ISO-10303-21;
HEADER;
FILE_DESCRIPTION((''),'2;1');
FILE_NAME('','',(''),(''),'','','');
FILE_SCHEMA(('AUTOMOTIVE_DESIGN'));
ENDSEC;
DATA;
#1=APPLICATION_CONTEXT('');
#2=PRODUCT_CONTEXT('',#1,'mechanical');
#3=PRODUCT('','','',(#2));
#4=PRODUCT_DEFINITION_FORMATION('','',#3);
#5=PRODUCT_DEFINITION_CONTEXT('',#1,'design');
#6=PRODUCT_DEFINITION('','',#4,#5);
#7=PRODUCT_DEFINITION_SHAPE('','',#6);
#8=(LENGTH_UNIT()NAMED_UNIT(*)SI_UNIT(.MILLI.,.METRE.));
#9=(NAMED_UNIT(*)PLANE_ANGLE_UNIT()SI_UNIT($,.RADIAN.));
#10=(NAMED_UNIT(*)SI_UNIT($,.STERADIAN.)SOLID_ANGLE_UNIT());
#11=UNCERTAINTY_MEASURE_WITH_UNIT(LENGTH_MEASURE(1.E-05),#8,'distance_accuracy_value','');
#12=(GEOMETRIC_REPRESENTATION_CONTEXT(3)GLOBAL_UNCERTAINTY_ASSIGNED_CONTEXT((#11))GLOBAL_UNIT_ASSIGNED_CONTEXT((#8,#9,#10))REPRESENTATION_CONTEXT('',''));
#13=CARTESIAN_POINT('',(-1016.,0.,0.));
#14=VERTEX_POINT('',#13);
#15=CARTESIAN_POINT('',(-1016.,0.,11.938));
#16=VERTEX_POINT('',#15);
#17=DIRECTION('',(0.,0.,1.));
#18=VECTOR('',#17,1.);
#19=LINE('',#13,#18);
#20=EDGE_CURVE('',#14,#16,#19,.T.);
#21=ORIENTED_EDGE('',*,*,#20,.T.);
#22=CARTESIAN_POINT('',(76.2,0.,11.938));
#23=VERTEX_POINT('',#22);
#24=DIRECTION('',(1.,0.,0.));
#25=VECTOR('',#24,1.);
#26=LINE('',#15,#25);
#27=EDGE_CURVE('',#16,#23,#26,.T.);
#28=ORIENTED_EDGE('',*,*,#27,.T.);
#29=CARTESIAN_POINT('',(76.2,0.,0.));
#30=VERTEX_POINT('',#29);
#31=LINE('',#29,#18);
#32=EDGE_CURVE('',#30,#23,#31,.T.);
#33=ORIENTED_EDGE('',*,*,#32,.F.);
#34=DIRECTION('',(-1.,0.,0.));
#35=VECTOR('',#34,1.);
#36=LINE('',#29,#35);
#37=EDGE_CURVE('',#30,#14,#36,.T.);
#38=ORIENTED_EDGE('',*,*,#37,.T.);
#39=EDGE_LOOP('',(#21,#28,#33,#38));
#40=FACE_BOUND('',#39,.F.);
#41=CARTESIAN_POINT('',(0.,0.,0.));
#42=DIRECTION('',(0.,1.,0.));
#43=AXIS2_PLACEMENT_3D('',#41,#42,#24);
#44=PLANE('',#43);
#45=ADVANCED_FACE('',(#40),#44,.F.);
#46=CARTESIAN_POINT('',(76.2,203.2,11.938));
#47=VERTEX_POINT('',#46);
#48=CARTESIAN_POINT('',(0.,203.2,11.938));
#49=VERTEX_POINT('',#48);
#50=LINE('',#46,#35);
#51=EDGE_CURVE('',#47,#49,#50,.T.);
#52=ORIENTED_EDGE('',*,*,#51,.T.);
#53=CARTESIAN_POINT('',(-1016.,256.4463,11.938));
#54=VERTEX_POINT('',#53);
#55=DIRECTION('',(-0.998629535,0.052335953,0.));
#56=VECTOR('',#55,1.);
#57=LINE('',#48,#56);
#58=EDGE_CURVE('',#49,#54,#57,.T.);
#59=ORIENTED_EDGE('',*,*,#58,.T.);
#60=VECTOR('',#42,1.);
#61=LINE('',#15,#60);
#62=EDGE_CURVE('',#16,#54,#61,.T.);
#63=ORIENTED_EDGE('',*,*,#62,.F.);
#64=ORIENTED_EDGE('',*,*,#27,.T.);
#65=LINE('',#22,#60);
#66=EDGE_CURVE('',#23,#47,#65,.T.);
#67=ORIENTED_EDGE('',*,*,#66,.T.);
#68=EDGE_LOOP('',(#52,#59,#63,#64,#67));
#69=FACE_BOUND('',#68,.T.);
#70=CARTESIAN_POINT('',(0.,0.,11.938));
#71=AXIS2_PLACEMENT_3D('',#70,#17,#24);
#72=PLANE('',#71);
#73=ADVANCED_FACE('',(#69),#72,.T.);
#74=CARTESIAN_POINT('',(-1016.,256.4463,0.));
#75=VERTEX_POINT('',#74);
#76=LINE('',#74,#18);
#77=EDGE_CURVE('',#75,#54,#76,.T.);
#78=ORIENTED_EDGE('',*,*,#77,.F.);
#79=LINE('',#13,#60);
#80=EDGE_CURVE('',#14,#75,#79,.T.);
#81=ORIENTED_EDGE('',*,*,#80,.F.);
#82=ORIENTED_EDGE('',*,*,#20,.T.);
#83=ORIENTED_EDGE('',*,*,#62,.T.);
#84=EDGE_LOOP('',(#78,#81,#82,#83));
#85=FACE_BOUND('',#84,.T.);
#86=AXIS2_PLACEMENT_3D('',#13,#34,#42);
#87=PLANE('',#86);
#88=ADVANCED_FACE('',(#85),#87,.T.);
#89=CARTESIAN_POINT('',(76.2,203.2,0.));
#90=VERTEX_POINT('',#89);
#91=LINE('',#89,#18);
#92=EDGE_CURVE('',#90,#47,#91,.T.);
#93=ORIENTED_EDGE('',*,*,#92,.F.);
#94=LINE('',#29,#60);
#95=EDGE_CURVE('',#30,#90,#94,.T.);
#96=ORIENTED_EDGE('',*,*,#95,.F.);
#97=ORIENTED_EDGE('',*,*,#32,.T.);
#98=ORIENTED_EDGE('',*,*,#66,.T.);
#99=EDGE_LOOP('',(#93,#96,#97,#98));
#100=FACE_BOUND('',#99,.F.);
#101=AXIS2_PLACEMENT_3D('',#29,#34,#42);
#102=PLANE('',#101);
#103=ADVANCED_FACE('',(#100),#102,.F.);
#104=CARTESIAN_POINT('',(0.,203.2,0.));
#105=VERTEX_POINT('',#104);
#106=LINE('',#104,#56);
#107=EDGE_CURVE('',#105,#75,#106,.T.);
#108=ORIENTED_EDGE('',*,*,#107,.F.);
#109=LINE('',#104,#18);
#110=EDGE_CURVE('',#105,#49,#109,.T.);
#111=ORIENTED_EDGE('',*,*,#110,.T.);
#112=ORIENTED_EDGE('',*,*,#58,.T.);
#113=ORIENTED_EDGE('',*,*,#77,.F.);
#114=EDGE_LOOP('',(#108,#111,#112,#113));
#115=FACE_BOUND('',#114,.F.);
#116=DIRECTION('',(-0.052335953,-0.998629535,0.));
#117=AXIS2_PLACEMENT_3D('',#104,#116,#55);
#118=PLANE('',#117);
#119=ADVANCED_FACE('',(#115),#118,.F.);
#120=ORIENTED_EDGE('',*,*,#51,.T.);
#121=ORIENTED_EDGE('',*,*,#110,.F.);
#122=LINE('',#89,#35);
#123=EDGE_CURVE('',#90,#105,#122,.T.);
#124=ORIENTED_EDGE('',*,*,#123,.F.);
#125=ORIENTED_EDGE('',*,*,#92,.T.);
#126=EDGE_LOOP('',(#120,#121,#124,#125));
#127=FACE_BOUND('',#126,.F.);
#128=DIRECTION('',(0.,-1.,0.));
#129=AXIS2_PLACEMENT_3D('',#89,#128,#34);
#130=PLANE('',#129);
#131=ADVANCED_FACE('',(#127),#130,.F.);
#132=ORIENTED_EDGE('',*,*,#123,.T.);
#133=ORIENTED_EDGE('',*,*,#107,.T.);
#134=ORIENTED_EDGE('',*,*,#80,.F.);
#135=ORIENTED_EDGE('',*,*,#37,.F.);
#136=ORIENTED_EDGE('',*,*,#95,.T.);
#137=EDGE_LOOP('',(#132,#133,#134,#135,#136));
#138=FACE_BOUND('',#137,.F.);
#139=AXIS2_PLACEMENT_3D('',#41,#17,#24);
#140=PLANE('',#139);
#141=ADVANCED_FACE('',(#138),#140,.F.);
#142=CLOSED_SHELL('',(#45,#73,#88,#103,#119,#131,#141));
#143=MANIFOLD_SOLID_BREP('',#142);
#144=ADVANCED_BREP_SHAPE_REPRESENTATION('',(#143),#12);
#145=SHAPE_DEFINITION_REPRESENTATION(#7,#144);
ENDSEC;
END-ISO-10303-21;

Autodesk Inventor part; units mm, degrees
ref_plane "YZ Plane" through (0, 0, 0) normal (1, 0, 0) x (0, 1, 0)
ref_plane "XZ Plane" through (0, 0, 0) normal (0, 1, 0) x (-1, 0, 0)
ref_plane "XY Plane" through (0, 0, 0) normal (0, 0, 1) x (1, 0, 0)
sketch "Sketch1" plane through (0, 0, 0) normal (0, 0, 1) x (1, 0, 0)
  line L0 (0, 0) -> (76.2, 0)
  line L1 (76.2, 0) -> (76.2, 203.2)
  line L2 (76.2, 203.2) -> (0, 203.2)
  line L3 (0, 203.2) -> (0, 0)
  line L4 (0, 203.2) -> (-406.4, 203.2) construction
  line L5 (0, 203.2) -> (-1016, 256.4463)
  line L6 (0, 0) -> (-1016, 0)
  line L7 (-1016, 0) -> (-1016, 256.4463)
  dimension "d0" = 203.2
  dimension "d1" = 76.2
  dimension "d2" = 3
  dimension "d3" = 1016
extrude "Extrusion1" add sketch "Sketch1" along normal blind 11.938
properties part number "Outlet Support Leg Proto 1" material "Wood (Oak)"
